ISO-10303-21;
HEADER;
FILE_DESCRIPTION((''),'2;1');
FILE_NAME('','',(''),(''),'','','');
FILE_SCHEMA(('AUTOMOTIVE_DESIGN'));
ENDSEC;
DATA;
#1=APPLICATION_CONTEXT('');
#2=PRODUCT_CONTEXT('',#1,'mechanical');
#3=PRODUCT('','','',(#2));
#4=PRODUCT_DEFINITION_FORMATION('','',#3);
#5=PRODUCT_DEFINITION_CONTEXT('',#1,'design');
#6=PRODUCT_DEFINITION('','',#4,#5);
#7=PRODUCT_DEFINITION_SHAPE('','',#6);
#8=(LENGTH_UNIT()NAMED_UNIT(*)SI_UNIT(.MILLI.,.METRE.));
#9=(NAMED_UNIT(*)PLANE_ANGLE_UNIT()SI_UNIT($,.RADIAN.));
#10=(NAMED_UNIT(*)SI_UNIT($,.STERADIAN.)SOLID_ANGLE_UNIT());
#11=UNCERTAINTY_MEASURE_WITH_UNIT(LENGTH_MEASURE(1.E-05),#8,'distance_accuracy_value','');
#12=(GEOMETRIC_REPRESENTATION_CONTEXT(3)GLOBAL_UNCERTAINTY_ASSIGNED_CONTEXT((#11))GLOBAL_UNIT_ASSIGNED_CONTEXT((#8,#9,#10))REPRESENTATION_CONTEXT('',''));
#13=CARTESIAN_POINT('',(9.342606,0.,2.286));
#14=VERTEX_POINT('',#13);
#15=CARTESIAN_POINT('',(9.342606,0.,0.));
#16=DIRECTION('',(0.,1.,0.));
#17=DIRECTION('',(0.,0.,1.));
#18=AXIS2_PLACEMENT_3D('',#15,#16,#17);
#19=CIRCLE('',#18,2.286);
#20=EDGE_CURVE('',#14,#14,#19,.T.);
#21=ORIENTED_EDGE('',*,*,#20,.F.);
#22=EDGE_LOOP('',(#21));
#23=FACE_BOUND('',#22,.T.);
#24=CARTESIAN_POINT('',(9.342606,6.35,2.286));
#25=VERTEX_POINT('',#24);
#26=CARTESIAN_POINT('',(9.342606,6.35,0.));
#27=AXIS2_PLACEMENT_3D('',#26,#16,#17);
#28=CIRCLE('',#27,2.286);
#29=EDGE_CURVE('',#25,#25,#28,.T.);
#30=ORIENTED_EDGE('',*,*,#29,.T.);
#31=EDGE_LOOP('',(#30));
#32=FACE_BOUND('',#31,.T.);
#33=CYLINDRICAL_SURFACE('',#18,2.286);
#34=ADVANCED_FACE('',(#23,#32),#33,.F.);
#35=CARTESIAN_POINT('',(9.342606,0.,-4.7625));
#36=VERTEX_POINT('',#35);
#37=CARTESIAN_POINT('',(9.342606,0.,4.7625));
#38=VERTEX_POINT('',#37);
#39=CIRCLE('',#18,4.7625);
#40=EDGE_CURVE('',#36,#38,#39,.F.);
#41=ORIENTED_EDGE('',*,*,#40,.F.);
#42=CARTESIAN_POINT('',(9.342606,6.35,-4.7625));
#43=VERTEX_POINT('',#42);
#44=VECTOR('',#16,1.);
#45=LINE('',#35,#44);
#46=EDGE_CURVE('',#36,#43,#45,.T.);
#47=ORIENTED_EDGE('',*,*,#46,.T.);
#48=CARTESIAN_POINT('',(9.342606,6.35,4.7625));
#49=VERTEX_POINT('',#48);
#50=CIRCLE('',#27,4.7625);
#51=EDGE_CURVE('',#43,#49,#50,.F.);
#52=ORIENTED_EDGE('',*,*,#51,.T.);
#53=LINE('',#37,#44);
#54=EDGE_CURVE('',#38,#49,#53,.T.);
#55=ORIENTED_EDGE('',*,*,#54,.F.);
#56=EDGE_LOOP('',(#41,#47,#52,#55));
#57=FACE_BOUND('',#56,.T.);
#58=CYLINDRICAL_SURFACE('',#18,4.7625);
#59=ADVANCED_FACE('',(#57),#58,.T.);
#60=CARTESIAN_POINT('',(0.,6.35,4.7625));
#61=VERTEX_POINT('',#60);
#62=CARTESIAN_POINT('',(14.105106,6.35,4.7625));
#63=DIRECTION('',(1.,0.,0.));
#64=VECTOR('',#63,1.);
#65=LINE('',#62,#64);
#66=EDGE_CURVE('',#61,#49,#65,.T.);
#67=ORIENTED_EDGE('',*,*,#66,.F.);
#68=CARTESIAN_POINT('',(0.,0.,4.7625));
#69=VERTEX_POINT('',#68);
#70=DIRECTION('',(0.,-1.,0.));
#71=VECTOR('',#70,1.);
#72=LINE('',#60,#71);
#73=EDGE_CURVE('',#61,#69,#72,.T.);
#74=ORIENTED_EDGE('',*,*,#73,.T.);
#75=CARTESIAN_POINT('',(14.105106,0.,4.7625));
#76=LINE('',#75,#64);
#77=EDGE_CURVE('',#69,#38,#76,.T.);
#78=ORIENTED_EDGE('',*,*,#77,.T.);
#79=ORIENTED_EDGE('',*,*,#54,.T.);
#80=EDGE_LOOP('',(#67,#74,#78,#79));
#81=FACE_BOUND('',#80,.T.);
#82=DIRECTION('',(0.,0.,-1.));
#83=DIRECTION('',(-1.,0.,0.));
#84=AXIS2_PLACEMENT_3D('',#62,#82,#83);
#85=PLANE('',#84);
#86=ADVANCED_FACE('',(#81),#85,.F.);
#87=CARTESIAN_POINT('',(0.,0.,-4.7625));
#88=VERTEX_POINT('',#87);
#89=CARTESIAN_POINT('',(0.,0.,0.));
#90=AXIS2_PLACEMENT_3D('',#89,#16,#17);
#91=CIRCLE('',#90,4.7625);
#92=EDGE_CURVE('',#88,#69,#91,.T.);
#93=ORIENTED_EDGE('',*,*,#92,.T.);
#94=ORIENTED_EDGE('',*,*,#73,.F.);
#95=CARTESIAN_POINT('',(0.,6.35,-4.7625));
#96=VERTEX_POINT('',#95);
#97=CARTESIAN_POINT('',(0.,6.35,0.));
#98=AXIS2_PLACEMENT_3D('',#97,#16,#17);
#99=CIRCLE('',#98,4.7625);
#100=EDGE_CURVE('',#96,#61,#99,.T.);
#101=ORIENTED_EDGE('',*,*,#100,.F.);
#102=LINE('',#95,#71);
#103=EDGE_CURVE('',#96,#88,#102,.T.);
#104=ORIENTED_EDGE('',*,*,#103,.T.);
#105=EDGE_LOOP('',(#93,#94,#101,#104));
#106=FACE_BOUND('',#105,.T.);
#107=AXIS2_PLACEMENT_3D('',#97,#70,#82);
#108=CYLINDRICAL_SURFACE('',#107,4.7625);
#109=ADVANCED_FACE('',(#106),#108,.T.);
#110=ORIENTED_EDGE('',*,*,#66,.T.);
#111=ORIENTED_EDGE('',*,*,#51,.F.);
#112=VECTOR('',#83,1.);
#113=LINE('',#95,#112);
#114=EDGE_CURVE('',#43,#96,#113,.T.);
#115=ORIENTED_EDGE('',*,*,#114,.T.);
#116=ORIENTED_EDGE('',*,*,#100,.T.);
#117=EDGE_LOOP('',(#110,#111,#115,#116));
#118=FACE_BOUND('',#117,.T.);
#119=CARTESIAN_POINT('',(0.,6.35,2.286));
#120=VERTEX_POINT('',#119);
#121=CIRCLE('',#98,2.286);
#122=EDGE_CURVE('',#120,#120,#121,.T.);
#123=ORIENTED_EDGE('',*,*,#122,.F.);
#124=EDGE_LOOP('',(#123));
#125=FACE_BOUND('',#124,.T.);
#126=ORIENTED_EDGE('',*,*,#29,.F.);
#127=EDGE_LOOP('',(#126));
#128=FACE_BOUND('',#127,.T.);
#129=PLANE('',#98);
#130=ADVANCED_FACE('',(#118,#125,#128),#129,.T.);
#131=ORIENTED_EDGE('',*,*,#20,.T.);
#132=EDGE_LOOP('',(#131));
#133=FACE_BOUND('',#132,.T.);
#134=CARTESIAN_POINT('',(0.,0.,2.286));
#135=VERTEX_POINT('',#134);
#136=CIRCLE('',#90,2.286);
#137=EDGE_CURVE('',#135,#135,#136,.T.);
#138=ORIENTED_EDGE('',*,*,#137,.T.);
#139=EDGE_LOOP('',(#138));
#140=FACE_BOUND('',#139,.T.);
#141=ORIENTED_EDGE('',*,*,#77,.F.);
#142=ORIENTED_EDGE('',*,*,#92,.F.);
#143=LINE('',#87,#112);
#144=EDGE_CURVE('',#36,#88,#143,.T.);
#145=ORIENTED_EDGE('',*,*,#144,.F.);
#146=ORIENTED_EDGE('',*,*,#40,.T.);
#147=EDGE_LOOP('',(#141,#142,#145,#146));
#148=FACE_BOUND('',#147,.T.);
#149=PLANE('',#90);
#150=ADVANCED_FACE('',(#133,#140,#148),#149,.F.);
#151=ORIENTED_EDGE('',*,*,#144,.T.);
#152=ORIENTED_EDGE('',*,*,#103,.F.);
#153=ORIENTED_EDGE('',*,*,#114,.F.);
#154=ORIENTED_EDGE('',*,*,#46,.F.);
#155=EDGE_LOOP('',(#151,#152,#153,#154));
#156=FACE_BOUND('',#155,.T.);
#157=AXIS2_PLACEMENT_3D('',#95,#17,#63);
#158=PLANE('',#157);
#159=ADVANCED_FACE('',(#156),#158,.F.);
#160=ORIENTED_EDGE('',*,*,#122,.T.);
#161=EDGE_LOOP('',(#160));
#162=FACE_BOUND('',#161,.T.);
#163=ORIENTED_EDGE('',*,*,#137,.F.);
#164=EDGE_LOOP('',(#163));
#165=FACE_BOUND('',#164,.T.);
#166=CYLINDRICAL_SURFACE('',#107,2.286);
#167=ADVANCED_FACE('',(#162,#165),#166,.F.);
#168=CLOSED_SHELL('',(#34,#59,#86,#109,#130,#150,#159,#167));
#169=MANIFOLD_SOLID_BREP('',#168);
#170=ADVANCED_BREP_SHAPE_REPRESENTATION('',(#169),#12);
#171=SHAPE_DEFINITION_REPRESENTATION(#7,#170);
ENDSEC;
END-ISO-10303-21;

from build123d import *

# Parameters (mm, degrees)
SKETCH2_R           = 2.286
BOSS_EXTRUDE1_DEPTH = 6.35
SKETCH4_R           = 2.286
CUT_EXTRUDE2_DEPTH  = 17.185114529


with BuildPart() as part:
    # Sketch2 → Boss-Extrude1 (new body)
    with BuildSketch(Plane(origin=(0, 0, 0), x_dir=(1, 0, 0), z_dir=(0, 1, 0))):
        with BuildLine():
            Line((0, 4.7625), (14.105106383, 4.7625))
            Line((14.105106383, 4.7625), (14.105106383, -4.7625))
            Line((14.105106383, -4.7625), (0, -4.7625))
            ThreePointArc((0, -4.7625), (-4.7625, 0), (0, 4.7625))
        make_face()
        with Locations(Location((0, 0, 0), (0, 0, 270))):
            Circle(SKETCH2_R, mode=Mode.SUBTRACT)
    extrude(amount=BOSS_EXTRUDE1_DEPTH)

    # Sketch4 → Cut-Extrude2 (cut, through all)
    with BuildSketch(Plane(origin=(0, 6.35, 0), x_dir=(1, 0, 0), z_dir=(0, 1, 0))):
        with BuildLine():
            Line((14.105106383, 4.7625), (9.342606383, 4.7625))
            ThreePointArc((9.342606383, 4.7625), (12.710202422, 3.367596052), (14.105106383, 1.8e-08))
            Line((14.105106383, 1.8e-08), (14.105106383, 4.7625))
        make_face()
        with BuildLine():
            Line((14.105106383, -4.7625), (14.105106383, 1.8e-08))
            ThreePointArc((14.105106383, 1.8e-08), (12.710202435, -3.367596039), (9.342606383, -4.7625))
            Line((9.342606383, -4.7625), (14.105106383, -4.7625))
        make_face()
        with Locations(Location((9.342606383, 0, 0), (0, 0, 270))):
            Circle(SKETCH4_R)
    extrude(amount=-CUT_EXTRUDE2_DEPTH, mode=Mode.SUBTRACT)


solid = part.part
